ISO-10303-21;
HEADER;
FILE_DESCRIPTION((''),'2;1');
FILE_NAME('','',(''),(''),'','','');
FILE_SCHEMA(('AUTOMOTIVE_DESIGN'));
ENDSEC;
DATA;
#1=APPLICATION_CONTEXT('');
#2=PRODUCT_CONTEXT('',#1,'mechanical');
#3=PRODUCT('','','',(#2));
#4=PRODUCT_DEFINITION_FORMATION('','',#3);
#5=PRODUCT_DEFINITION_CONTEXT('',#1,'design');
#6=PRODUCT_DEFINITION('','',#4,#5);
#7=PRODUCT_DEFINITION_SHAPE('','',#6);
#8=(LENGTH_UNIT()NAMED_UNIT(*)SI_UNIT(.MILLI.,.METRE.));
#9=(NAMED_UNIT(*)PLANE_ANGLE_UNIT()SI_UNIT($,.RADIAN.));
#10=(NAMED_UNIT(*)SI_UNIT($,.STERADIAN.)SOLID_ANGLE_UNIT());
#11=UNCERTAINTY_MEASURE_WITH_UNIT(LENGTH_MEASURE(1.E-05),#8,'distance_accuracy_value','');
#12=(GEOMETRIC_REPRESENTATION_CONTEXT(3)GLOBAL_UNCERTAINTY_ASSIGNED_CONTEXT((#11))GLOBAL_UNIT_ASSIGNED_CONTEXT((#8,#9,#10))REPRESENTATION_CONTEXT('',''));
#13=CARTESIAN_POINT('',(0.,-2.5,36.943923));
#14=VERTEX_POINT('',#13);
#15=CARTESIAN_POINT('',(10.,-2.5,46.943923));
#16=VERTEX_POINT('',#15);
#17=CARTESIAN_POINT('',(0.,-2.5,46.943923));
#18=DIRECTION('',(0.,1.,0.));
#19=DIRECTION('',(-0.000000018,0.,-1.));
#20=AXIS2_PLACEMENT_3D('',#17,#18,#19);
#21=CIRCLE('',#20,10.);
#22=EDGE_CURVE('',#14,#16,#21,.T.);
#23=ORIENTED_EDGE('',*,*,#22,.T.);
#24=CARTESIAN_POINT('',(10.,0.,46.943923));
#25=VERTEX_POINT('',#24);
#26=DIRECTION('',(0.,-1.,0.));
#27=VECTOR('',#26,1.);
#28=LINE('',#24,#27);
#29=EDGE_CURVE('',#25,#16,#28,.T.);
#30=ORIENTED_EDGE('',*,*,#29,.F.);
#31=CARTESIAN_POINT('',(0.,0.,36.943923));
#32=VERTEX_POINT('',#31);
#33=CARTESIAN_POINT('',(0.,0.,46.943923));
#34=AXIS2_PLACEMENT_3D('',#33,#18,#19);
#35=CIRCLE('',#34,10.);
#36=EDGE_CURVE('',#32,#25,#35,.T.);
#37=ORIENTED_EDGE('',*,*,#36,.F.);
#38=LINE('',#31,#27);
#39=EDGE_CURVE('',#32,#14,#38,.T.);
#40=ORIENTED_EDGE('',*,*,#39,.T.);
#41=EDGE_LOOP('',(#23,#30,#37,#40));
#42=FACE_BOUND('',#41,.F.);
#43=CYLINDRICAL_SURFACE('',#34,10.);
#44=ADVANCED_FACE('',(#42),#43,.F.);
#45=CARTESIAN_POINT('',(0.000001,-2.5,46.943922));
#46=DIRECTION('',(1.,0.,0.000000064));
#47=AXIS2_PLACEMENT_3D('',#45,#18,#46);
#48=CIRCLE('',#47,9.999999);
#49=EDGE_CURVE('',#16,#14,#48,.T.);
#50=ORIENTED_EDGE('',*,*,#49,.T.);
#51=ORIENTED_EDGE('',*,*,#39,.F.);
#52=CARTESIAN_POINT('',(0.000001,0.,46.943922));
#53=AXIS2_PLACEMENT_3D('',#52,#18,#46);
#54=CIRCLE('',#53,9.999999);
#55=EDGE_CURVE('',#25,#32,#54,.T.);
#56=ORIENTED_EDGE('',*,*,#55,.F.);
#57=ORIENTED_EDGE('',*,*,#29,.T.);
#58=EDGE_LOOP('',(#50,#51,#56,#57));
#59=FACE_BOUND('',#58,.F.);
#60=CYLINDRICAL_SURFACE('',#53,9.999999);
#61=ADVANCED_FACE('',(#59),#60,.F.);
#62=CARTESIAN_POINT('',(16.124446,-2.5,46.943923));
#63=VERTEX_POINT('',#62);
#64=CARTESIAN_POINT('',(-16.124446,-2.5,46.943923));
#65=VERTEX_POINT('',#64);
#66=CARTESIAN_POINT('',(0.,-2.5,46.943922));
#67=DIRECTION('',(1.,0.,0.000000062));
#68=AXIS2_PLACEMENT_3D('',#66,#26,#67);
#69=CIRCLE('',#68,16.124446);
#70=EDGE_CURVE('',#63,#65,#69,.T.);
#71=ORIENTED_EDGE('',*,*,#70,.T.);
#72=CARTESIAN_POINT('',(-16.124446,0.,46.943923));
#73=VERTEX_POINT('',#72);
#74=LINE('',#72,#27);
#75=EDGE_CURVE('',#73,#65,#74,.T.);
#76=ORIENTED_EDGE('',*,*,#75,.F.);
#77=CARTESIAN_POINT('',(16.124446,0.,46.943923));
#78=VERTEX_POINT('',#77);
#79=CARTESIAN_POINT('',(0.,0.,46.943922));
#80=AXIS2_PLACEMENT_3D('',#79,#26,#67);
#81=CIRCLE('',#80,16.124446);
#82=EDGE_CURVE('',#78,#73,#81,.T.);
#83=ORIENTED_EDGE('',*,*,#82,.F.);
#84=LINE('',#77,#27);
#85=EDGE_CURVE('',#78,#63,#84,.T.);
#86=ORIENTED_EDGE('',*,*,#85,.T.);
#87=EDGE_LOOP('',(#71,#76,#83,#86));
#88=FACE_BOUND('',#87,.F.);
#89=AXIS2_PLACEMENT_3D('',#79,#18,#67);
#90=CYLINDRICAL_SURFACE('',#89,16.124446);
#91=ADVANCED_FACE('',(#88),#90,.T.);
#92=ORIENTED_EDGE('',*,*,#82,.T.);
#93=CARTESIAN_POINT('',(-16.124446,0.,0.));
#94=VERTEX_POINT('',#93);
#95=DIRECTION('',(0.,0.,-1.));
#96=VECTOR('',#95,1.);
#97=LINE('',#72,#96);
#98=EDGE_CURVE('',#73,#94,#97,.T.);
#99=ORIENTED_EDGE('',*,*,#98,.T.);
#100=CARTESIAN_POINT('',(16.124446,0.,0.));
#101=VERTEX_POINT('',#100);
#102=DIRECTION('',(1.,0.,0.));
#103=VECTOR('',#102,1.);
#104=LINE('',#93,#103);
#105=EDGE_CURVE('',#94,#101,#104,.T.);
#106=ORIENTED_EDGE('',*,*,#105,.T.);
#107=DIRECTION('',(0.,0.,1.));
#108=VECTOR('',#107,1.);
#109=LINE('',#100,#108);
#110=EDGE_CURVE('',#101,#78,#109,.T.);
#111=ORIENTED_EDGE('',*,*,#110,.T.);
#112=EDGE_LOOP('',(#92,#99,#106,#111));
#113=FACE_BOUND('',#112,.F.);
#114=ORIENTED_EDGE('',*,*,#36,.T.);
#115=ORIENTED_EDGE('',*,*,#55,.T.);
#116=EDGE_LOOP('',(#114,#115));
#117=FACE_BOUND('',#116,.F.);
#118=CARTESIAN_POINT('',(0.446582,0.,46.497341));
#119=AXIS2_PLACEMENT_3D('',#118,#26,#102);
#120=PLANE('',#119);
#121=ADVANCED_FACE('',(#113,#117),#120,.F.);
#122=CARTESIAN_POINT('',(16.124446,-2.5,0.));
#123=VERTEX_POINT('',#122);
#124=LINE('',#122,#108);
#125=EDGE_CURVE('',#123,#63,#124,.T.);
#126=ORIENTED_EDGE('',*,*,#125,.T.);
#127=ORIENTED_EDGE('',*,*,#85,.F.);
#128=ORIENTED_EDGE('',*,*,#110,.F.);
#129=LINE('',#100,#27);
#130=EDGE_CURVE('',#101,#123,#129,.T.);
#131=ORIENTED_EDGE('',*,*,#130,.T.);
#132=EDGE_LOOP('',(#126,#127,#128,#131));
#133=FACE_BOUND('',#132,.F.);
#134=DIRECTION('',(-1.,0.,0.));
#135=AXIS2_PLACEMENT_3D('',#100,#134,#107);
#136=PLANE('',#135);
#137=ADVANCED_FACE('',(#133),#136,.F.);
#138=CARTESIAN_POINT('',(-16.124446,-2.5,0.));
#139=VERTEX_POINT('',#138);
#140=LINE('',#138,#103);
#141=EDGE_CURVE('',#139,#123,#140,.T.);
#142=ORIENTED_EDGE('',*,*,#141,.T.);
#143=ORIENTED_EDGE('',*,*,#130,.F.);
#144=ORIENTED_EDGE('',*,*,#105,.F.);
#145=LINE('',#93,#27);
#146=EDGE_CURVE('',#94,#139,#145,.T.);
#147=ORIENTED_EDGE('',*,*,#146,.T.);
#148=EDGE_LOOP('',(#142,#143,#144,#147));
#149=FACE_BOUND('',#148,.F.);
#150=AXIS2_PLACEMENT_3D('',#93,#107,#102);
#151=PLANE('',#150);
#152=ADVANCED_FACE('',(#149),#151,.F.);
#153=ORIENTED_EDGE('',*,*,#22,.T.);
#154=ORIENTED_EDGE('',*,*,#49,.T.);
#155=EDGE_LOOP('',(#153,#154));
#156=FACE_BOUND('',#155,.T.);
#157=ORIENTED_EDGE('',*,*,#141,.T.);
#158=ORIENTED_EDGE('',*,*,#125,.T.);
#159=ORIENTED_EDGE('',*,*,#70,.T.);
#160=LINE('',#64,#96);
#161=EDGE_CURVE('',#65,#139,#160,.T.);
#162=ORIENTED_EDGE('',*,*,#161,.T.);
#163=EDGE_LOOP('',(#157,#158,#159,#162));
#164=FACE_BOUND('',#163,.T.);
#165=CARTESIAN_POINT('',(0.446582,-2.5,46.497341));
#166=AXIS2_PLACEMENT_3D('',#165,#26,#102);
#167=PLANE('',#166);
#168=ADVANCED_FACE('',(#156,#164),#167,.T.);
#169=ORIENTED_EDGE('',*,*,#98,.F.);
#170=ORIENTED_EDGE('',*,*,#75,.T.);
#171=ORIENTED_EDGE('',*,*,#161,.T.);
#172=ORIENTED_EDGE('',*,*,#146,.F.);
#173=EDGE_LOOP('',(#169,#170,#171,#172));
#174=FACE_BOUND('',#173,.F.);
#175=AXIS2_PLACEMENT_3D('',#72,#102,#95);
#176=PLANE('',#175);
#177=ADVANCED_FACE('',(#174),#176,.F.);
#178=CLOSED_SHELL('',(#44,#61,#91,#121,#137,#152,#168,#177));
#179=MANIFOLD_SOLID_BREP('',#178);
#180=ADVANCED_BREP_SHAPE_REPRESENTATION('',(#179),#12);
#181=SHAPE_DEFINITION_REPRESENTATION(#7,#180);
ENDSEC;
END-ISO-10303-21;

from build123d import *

# Parameters (mm, degrees)
F1_DEPTH = 2.5


with BuildPart() as f1:
    # F0 (on Front) → F1 (new body)
    with BuildSketch(Plane.XZ):
        with BuildLine():
            ThreePointArc((10, 46.943923), (-7.071068, 54.01499), (0, 36.943923))
            ThreePointArc((0, 36.943923), (7.071068, 39.872855), (10, 46.943923))
        make_face()
        with BuildLine():
            Line((-16.124446, 0), (0, 0))
            Line((0, 0), (16.124446, 0))
            Line((16.124446, 0), (16.124446, 46.943923))
            ThreePointArc((16.124446, 46.943923), (0, 63.068368), (-16.124446, 46.943923))
            Line((-16.124446, 46.943923), (-16.124446, 0))
        make_face()
        with BuildLine():
            ThreePointArc((10, 46.943923), (7.071068, 39.872855), (0, 36.943923))
            ThreePointArc((0, 36.943923), (-7.071068, 54.01499), (10, 46.943923))
        make_face(mode=Mode.SUBTRACT)
    extrude(amount=F1_DEPTH)


solid = f1.part
